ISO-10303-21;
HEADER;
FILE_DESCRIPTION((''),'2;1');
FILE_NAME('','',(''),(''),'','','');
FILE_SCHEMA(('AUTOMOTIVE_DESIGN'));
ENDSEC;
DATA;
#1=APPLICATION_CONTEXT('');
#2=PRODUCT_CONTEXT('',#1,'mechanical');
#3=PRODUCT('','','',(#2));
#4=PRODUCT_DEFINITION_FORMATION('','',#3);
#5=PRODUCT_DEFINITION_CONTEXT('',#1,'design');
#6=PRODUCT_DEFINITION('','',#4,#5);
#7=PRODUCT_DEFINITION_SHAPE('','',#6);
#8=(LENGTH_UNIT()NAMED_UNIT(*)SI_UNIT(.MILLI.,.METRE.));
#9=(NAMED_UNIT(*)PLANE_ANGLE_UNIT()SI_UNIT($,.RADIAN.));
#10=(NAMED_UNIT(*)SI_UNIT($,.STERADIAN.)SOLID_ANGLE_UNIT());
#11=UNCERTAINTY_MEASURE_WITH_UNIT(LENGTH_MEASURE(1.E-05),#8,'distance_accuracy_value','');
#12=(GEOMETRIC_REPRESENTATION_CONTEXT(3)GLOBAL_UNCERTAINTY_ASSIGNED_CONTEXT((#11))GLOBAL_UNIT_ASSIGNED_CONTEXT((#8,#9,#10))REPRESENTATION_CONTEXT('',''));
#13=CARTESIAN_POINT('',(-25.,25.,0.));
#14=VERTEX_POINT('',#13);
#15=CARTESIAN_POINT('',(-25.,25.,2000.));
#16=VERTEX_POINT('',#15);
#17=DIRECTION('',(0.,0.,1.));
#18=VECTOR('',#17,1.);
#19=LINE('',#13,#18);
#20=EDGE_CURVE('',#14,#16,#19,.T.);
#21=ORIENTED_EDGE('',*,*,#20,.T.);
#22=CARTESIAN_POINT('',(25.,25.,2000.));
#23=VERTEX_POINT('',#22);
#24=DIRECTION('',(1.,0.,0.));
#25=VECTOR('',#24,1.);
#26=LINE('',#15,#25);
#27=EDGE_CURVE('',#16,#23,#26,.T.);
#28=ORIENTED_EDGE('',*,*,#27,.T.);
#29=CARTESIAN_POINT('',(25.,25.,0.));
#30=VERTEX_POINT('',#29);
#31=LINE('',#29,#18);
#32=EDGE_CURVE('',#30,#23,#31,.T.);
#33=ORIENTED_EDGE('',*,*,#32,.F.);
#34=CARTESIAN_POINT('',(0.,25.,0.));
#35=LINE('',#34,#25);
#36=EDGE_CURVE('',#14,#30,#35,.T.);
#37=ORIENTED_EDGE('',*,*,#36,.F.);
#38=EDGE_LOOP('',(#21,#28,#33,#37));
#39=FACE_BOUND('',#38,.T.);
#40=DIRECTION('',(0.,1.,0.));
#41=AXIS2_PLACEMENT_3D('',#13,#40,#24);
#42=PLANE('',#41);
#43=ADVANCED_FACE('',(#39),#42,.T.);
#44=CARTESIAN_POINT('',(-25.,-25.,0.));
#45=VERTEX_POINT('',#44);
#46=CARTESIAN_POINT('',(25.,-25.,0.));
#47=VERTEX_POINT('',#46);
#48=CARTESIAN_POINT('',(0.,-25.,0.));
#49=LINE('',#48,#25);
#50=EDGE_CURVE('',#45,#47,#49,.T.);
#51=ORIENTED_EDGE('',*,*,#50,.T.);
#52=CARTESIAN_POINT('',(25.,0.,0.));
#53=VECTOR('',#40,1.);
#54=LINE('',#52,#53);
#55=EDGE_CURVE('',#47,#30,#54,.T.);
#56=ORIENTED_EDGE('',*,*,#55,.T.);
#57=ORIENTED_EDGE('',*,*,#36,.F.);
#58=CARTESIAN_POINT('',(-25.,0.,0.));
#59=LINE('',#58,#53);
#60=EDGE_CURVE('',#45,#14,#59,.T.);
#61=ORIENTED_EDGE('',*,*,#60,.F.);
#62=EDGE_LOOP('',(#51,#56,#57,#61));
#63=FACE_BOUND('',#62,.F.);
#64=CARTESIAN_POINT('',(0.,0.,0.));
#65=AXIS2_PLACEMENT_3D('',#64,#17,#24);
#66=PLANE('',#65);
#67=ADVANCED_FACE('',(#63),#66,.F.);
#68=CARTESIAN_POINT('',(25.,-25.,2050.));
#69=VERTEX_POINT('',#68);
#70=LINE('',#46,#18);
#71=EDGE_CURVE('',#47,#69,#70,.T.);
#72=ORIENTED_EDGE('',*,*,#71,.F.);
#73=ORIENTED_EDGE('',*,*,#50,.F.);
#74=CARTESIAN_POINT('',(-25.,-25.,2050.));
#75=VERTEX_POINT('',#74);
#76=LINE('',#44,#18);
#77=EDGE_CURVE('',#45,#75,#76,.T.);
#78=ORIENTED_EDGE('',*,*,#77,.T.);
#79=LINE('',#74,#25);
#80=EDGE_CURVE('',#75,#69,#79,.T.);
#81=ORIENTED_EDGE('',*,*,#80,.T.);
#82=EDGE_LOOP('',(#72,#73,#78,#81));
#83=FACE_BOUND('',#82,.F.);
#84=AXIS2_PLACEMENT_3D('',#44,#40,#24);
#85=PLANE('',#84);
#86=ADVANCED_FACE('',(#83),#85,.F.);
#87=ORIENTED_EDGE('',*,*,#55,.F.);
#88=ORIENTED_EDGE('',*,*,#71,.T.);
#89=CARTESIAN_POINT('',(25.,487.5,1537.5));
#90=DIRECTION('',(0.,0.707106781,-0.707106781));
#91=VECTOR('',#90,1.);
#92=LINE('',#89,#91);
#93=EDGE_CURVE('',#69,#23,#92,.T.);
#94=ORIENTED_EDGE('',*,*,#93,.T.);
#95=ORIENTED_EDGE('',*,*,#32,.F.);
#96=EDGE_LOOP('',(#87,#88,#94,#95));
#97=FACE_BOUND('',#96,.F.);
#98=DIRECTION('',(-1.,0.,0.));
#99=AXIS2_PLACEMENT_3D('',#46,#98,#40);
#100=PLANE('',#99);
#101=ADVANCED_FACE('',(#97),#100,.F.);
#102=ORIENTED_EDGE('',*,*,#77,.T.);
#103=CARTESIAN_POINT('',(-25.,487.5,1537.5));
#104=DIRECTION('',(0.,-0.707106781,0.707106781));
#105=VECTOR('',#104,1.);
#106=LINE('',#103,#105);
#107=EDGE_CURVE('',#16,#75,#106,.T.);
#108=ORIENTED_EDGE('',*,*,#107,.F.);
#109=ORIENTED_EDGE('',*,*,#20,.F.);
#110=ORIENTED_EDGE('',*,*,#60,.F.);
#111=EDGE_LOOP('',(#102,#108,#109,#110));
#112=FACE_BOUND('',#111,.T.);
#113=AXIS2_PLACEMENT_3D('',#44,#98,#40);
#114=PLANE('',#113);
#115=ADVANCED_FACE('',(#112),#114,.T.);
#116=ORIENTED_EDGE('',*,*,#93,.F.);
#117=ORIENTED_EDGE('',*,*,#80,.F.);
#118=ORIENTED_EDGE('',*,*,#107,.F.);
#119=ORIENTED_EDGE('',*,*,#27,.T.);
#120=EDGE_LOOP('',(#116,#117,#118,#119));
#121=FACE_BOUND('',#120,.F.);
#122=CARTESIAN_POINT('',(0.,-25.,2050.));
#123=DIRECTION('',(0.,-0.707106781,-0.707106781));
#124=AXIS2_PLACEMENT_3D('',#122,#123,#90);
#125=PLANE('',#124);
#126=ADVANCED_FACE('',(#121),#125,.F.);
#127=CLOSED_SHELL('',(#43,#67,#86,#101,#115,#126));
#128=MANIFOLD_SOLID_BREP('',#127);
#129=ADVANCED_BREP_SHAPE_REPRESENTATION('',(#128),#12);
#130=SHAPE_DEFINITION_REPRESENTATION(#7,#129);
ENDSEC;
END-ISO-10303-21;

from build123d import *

# Parameters (mm, degrees)
F0_W          = 50
F0_H          = 50
F1_DEPTH      = 2050
F3_DEPTH      = 25.001
F3_DEPTH_BACK = 25.001


with BuildPart() as f1:
    # F0 (on Top) → F1 (new body)
    with BuildSketch(Plane.XY):
        Rectangle(F0_W, F0_H)
    extrude(amount=F1_DEPTH)

    # F2 (on Right) → F3 (cut, two sides)
    with BuildSketch(Plane.YZ) as f3_sk:
        Polygon((135.3058686236, 2050), (-25, 2050), (135.3058686236, 1889.6941313764), align=None)
    extrude(amount=-F3_DEPTH, mode=Mode.SUBTRACT)
    extrude(f3_sk.sketch, amount=F3_DEPTH_BACK, mode=Mode.SUBTRACT)


solid = f1.part
